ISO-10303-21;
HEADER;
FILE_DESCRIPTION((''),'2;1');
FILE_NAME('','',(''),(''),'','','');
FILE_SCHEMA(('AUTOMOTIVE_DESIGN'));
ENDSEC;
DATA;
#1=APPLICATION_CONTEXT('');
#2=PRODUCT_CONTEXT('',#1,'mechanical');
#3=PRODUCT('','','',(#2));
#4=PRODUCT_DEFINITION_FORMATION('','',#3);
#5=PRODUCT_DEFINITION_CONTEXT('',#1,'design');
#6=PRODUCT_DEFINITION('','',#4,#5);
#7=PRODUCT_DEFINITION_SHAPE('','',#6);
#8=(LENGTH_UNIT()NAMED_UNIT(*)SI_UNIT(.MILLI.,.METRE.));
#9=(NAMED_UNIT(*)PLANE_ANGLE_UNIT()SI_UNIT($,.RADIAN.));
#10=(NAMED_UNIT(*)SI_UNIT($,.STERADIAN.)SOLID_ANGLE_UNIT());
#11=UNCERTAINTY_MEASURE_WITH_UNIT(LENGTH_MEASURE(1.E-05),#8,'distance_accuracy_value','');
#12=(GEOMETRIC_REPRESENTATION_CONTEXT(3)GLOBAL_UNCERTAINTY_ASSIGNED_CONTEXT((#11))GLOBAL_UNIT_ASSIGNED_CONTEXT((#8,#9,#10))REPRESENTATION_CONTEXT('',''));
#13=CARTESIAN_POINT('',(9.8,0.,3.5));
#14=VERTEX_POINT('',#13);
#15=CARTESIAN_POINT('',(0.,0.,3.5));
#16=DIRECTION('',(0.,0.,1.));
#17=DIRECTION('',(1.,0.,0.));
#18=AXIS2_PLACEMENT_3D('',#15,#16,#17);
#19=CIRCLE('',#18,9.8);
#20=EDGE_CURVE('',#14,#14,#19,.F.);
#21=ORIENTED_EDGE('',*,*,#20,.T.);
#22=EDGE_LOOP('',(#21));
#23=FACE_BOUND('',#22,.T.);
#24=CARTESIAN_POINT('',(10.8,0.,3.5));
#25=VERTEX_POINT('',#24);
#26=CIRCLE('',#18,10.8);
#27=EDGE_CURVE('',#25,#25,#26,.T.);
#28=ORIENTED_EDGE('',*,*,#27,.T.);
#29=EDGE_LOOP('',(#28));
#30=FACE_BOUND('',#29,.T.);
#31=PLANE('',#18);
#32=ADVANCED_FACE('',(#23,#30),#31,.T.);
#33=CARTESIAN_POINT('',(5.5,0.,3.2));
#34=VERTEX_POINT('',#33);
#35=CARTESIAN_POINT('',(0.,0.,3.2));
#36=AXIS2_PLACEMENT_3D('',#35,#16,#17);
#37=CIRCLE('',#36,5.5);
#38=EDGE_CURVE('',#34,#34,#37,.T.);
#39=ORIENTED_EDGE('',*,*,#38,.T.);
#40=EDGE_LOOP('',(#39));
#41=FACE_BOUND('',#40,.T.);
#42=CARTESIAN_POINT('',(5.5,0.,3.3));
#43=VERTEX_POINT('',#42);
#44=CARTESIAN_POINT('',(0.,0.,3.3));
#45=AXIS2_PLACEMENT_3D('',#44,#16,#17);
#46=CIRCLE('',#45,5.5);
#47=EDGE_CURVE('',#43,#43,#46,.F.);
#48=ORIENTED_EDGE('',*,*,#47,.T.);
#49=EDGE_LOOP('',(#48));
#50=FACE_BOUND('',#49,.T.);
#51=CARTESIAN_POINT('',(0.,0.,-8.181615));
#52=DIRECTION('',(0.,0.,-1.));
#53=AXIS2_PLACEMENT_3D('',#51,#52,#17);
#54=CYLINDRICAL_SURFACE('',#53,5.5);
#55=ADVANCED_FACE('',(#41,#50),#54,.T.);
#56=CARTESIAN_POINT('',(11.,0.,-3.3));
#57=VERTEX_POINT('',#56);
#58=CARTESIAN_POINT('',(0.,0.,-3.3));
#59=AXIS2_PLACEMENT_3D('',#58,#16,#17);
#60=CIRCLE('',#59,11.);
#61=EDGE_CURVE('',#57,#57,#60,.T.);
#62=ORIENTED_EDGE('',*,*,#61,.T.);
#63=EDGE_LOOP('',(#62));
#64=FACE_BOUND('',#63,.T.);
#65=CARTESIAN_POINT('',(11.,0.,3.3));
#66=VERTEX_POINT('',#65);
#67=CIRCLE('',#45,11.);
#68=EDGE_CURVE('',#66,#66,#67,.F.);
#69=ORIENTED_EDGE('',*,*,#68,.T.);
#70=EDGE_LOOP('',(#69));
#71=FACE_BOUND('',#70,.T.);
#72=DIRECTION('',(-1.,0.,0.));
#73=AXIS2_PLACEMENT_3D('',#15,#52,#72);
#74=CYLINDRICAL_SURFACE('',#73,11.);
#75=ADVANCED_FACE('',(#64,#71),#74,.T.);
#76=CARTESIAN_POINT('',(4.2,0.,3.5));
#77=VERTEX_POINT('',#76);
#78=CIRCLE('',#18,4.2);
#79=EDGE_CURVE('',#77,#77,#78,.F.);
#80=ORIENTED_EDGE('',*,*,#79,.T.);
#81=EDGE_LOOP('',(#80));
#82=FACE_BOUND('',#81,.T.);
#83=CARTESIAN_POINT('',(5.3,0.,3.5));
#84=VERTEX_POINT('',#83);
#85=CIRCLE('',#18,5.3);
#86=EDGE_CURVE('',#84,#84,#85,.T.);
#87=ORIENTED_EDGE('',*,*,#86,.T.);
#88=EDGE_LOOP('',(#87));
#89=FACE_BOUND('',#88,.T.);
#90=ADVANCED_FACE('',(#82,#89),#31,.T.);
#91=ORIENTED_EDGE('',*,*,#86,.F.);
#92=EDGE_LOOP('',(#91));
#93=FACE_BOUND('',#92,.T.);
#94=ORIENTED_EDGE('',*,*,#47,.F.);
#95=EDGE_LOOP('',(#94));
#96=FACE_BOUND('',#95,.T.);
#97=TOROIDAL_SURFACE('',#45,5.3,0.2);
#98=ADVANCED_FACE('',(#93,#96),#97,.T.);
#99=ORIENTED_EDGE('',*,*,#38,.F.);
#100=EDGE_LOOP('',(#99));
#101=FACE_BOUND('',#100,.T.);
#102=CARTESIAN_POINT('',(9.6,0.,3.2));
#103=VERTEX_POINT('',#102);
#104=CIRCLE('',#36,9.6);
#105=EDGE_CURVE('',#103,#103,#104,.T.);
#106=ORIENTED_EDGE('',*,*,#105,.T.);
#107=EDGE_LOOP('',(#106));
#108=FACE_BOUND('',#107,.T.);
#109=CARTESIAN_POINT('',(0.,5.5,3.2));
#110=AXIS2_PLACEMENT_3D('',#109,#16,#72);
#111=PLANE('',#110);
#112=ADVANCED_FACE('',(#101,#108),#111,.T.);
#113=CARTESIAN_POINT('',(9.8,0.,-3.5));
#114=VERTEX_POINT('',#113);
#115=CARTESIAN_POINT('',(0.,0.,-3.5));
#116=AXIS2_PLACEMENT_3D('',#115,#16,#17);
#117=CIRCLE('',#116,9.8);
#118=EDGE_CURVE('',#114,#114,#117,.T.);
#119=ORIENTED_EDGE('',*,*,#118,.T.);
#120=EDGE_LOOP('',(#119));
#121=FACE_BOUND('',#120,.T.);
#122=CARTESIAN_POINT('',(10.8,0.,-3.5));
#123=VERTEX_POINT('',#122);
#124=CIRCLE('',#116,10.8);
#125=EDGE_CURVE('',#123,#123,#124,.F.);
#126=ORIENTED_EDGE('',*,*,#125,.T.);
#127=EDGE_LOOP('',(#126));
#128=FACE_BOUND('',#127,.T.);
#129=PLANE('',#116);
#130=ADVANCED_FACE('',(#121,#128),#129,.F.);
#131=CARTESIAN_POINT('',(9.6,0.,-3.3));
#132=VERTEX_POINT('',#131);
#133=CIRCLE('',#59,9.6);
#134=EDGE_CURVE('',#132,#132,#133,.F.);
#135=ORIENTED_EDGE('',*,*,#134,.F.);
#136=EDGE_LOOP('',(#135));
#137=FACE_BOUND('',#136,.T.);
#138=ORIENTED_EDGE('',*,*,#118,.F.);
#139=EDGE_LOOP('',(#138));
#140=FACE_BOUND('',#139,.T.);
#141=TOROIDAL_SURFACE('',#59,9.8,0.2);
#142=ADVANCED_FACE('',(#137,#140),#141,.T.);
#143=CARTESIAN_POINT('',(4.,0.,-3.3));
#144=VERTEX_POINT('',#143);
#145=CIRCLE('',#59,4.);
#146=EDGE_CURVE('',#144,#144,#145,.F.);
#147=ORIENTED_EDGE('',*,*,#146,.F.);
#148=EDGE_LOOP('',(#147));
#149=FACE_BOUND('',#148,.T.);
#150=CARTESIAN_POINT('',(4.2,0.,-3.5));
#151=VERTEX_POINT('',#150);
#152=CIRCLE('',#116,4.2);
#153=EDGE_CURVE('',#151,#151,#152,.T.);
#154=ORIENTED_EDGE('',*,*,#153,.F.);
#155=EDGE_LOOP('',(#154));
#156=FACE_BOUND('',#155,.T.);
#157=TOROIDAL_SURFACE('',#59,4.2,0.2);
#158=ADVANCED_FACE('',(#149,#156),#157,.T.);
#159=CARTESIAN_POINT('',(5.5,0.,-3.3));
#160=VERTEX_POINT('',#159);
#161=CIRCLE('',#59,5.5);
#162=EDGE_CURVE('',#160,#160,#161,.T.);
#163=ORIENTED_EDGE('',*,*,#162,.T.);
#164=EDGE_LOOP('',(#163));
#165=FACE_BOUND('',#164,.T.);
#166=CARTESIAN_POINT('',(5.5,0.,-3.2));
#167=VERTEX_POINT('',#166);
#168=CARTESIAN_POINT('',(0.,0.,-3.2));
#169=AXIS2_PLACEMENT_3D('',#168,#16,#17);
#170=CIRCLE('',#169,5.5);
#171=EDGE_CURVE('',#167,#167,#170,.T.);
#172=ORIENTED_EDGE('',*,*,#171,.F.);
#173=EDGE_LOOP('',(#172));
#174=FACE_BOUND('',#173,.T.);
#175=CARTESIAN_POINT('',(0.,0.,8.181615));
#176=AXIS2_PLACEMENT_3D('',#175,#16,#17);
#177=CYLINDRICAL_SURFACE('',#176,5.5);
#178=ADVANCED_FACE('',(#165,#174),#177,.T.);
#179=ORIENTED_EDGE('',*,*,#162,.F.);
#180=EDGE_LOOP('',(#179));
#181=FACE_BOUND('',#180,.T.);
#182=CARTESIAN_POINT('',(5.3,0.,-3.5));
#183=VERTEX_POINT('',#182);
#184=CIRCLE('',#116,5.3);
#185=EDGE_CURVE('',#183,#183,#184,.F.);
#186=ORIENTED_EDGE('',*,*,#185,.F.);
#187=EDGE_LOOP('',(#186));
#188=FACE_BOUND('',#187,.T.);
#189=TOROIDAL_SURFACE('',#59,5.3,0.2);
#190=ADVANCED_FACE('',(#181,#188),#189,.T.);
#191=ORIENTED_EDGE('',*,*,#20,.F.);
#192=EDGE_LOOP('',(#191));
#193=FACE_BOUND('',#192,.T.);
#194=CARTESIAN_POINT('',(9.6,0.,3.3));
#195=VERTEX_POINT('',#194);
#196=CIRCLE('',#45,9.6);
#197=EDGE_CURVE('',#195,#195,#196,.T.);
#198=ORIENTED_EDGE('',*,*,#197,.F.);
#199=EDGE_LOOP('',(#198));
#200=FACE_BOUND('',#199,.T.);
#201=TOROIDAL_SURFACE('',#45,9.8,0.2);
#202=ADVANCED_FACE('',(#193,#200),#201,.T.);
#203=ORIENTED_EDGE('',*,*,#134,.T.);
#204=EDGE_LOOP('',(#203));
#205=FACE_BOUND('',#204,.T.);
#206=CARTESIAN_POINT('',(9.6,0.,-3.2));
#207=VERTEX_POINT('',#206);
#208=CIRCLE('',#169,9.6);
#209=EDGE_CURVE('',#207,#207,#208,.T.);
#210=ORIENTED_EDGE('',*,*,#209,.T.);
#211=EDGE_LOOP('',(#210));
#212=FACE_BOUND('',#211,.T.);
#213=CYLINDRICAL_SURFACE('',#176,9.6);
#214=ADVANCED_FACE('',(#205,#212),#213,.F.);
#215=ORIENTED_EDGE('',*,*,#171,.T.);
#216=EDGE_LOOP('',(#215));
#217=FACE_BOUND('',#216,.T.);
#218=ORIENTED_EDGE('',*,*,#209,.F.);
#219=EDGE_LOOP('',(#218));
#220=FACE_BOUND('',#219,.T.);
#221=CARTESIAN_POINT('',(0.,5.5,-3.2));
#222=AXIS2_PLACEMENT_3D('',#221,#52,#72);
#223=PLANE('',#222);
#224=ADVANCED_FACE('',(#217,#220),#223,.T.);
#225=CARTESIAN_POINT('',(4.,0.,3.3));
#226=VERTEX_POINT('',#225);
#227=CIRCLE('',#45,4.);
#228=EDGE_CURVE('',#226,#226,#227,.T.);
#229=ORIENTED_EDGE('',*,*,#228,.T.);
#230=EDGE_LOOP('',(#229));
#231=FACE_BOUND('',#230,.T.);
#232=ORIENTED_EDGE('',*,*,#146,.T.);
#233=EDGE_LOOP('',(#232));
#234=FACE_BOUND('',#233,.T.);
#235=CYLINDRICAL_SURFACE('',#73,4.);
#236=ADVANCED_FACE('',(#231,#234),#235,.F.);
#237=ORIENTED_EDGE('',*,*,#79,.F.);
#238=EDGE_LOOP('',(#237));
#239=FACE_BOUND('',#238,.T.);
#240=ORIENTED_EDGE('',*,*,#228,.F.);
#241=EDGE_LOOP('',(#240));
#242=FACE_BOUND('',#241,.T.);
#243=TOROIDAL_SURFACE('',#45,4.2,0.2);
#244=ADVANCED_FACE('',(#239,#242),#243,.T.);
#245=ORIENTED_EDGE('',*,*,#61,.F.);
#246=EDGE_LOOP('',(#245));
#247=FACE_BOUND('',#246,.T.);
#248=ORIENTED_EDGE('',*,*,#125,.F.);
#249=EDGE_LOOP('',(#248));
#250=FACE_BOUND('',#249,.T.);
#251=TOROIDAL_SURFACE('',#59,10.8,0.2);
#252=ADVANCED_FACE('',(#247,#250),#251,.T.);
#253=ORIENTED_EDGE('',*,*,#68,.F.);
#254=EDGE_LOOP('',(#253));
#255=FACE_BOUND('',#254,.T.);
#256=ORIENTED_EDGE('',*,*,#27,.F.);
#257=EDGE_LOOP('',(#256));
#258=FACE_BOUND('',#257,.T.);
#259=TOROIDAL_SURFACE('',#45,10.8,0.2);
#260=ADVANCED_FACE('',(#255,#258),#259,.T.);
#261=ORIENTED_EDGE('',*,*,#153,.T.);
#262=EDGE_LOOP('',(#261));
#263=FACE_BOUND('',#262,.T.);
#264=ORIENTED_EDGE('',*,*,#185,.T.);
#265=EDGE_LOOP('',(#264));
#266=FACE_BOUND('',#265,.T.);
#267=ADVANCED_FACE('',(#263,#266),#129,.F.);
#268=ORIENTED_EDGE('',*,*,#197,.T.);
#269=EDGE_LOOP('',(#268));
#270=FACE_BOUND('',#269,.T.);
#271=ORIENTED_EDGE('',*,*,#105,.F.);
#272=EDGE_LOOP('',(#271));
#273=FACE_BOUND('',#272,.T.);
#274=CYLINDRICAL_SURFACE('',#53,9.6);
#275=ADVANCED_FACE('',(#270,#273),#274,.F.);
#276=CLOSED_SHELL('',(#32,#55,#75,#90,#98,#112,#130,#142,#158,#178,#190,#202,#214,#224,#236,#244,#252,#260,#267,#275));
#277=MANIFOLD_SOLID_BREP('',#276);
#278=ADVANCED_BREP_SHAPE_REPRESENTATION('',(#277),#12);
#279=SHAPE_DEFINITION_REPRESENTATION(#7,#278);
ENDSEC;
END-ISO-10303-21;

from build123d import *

# Parameters (mm, degrees)
SKETCH1_R           = 11
SKETCH1_R_2         = 4
BOSS_EXTRUDE1_DEPTH = 3.5
SKETCH2_W           = 0.3
SKETCH2_H           = 4.1
FILLET1_R           = 0.2


with BuildPart() as part:
    # Sketch1 → Boss-Extrude1 (new, symmetric)
    with BuildSketch(Plane.XY):
        Circle(SKETCH1_R)
        Circle(SKETCH1_R_2, mode=Mode.SUBTRACT)
    extrude(amount=BOSS_EXTRUDE1_DEPTH, both=True)

    # Sketch2 → Cut-Revolve1 (revolve, cut)
    with BuildSketch(Plane(origin=(0, 0, 0), x_dir=(0, 0, -1), z_dir=(1, 0, 0)), mode=Mode.PRIVATE) as cut_revolve1_sk:
        with Locations((3.35, 7.55)):
            Rectangle(SKETCH2_W, SKETCH2_H)
    cut_revolve1 = revolve(cut_revolve1_sk.sketch.rotate(Axis((0, 0, 8.181614894), (0, 0, -1)), 90), axis=Axis((0, 0, 8.181614894), (0, 0, -1)), mode=Mode.SUBTRACT)

    # Mirror1: Cut-Revolve1 across plane
    add(cut_revolve1.mirror(Plane.XY), mode=Mode.SUBTRACT)

    # Fillet1
    fillet1_edges = [part.edges().sort_by_distance(p)[0] for p in [
        (-9.6, 0, -3.5),
        (-5.5, 0, -3.5),
        (-9.6, 0, 3.5),
        (-5.5, 0, 3.5),
        (-11, 0, -3.5),
        (-11, 0, 3.5),
        (-4, 0, -3.5),
        (-4, 0, 3.5),
    ]]
    fillet(fillet1_edges, radius=FILLET1_R)


solid = part.part
